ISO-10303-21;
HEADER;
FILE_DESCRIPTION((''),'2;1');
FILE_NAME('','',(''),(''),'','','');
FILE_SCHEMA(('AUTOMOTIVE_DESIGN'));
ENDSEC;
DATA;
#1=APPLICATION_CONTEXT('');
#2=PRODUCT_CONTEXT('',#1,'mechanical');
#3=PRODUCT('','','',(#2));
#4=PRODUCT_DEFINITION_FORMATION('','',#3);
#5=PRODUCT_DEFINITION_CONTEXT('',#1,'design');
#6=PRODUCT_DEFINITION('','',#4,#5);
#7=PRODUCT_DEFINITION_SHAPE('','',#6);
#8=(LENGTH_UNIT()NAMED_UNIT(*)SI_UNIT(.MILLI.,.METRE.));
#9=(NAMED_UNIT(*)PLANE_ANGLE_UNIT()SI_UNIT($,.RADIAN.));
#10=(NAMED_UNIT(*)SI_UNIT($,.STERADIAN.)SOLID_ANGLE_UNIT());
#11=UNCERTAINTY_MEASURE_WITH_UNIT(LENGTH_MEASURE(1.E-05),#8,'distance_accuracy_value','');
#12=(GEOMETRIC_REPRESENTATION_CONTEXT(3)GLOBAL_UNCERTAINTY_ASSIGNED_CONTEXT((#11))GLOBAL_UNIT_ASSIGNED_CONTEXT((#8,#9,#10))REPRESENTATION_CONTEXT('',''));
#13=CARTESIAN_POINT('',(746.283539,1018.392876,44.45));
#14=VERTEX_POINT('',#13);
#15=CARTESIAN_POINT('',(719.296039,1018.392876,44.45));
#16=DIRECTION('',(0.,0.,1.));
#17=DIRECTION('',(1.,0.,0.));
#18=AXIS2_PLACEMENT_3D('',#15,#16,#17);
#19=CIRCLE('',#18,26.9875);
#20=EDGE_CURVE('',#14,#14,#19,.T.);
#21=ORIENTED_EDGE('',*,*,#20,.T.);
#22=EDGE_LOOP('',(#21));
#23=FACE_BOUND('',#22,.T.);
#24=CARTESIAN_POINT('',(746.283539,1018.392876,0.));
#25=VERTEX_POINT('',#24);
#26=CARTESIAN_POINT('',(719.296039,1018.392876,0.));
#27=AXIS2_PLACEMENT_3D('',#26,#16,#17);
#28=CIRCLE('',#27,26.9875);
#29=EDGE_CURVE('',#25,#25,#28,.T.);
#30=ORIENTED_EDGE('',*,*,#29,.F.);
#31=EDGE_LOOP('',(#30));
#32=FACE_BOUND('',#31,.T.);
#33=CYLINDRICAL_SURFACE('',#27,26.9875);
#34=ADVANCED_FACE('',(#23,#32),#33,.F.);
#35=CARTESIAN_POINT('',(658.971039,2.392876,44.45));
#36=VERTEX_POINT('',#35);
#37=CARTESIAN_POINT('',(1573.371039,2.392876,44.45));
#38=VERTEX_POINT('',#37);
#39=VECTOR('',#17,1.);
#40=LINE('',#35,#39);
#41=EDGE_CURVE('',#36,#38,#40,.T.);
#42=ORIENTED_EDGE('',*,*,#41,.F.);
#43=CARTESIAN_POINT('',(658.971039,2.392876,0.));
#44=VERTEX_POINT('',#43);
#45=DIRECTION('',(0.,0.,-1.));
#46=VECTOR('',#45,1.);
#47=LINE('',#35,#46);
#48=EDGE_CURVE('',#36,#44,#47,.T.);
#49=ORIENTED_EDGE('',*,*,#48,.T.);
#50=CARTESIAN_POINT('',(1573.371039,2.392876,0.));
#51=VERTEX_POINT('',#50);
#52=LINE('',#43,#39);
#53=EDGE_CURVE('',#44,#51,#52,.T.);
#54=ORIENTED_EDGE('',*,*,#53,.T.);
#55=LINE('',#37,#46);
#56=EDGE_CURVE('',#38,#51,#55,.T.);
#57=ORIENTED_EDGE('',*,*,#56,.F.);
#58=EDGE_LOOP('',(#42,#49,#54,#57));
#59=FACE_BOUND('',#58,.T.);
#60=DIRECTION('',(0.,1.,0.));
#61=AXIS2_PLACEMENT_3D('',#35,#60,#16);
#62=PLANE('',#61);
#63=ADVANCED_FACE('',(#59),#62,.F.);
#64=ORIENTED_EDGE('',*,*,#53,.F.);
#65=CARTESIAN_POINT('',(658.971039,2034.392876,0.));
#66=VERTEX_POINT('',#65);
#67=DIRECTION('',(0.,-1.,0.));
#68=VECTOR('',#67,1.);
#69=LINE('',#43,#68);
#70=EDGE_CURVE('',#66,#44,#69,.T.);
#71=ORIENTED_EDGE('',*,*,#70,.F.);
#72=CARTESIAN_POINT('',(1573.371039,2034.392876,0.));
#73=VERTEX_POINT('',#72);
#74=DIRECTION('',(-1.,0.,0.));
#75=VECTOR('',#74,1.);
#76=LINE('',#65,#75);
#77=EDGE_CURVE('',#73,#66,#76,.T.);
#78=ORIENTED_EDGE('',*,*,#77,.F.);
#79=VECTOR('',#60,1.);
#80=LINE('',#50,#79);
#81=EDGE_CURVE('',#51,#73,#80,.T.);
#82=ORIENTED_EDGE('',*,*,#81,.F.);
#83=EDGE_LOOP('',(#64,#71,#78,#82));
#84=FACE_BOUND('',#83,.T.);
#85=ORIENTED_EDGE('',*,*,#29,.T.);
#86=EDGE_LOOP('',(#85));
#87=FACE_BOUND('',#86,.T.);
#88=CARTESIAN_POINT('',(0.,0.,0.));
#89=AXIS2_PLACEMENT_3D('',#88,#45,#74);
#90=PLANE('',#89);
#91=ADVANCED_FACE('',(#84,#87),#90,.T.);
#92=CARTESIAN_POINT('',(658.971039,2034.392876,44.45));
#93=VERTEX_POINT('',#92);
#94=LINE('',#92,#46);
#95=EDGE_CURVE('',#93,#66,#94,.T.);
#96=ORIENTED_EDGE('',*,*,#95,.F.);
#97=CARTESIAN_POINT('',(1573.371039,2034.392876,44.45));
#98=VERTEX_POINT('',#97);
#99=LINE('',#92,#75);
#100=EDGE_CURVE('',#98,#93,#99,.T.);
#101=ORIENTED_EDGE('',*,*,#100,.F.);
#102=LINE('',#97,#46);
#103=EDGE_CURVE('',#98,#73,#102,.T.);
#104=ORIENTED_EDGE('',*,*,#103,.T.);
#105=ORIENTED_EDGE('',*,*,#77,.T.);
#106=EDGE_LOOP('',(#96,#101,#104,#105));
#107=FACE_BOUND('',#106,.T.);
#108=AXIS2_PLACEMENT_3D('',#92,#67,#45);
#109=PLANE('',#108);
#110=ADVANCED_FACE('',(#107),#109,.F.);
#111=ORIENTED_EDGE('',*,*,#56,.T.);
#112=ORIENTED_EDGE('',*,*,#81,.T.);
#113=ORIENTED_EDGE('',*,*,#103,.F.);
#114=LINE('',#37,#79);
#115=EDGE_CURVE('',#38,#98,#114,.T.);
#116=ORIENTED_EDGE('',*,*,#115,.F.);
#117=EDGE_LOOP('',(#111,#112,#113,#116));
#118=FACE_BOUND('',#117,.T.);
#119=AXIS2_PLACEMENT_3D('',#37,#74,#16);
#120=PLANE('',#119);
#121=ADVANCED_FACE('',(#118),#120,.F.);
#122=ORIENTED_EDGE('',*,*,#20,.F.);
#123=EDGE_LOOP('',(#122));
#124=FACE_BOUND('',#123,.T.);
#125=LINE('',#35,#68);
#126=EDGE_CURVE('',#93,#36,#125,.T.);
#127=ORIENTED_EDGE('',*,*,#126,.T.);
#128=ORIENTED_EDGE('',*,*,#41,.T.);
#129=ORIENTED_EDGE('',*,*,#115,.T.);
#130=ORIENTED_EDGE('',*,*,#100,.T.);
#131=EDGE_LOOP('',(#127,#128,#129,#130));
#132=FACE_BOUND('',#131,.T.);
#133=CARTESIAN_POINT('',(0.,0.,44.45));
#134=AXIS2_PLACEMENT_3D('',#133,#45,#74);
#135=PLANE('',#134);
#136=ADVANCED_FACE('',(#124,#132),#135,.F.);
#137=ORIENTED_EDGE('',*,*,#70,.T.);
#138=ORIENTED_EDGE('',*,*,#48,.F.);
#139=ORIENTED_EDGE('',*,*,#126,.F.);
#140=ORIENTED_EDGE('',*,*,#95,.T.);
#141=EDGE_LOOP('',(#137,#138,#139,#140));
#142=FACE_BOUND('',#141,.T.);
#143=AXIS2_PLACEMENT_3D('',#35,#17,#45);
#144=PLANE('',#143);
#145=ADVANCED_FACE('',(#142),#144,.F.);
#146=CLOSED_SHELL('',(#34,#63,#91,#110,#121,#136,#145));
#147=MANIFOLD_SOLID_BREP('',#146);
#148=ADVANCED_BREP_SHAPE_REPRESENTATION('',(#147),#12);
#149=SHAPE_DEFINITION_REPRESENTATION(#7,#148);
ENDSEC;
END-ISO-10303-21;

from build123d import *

# Parameters (mm, degrees)
SKETCH1_W           = 914.4
SKETCH1_H           = 2032
BOSS_EXTRUDE1_DEPTH = 44.45
SKETCH2_R           = 26.9875
CUT_EXTRUDE1_DEPTH  = 44.45


with BuildPart() as part:
    # Sketch1 → Boss-Extrude1 (new body)
    with BuildSketch(Plane.XY):
        with Locations((1116.171038615, 1018.392876165)):
            Rectangle(SKETCH1_W, SKETCH1_H)
    extrude(amount=BOSS_EXTRUDE1_DEPTH)

    # Sketch2 → Cut-Extrude1 (cut)
    with BuildSketch(Plane.XY.offset(44.45)):
        with Locations((719.296038615, 1018.392876165)):
            Circle(SKETCH2_R)
    extrude(amount=-CUT_EXTRUDE1_DEPTH, mode=Mode.SUBTRACT)


solid = part.part
